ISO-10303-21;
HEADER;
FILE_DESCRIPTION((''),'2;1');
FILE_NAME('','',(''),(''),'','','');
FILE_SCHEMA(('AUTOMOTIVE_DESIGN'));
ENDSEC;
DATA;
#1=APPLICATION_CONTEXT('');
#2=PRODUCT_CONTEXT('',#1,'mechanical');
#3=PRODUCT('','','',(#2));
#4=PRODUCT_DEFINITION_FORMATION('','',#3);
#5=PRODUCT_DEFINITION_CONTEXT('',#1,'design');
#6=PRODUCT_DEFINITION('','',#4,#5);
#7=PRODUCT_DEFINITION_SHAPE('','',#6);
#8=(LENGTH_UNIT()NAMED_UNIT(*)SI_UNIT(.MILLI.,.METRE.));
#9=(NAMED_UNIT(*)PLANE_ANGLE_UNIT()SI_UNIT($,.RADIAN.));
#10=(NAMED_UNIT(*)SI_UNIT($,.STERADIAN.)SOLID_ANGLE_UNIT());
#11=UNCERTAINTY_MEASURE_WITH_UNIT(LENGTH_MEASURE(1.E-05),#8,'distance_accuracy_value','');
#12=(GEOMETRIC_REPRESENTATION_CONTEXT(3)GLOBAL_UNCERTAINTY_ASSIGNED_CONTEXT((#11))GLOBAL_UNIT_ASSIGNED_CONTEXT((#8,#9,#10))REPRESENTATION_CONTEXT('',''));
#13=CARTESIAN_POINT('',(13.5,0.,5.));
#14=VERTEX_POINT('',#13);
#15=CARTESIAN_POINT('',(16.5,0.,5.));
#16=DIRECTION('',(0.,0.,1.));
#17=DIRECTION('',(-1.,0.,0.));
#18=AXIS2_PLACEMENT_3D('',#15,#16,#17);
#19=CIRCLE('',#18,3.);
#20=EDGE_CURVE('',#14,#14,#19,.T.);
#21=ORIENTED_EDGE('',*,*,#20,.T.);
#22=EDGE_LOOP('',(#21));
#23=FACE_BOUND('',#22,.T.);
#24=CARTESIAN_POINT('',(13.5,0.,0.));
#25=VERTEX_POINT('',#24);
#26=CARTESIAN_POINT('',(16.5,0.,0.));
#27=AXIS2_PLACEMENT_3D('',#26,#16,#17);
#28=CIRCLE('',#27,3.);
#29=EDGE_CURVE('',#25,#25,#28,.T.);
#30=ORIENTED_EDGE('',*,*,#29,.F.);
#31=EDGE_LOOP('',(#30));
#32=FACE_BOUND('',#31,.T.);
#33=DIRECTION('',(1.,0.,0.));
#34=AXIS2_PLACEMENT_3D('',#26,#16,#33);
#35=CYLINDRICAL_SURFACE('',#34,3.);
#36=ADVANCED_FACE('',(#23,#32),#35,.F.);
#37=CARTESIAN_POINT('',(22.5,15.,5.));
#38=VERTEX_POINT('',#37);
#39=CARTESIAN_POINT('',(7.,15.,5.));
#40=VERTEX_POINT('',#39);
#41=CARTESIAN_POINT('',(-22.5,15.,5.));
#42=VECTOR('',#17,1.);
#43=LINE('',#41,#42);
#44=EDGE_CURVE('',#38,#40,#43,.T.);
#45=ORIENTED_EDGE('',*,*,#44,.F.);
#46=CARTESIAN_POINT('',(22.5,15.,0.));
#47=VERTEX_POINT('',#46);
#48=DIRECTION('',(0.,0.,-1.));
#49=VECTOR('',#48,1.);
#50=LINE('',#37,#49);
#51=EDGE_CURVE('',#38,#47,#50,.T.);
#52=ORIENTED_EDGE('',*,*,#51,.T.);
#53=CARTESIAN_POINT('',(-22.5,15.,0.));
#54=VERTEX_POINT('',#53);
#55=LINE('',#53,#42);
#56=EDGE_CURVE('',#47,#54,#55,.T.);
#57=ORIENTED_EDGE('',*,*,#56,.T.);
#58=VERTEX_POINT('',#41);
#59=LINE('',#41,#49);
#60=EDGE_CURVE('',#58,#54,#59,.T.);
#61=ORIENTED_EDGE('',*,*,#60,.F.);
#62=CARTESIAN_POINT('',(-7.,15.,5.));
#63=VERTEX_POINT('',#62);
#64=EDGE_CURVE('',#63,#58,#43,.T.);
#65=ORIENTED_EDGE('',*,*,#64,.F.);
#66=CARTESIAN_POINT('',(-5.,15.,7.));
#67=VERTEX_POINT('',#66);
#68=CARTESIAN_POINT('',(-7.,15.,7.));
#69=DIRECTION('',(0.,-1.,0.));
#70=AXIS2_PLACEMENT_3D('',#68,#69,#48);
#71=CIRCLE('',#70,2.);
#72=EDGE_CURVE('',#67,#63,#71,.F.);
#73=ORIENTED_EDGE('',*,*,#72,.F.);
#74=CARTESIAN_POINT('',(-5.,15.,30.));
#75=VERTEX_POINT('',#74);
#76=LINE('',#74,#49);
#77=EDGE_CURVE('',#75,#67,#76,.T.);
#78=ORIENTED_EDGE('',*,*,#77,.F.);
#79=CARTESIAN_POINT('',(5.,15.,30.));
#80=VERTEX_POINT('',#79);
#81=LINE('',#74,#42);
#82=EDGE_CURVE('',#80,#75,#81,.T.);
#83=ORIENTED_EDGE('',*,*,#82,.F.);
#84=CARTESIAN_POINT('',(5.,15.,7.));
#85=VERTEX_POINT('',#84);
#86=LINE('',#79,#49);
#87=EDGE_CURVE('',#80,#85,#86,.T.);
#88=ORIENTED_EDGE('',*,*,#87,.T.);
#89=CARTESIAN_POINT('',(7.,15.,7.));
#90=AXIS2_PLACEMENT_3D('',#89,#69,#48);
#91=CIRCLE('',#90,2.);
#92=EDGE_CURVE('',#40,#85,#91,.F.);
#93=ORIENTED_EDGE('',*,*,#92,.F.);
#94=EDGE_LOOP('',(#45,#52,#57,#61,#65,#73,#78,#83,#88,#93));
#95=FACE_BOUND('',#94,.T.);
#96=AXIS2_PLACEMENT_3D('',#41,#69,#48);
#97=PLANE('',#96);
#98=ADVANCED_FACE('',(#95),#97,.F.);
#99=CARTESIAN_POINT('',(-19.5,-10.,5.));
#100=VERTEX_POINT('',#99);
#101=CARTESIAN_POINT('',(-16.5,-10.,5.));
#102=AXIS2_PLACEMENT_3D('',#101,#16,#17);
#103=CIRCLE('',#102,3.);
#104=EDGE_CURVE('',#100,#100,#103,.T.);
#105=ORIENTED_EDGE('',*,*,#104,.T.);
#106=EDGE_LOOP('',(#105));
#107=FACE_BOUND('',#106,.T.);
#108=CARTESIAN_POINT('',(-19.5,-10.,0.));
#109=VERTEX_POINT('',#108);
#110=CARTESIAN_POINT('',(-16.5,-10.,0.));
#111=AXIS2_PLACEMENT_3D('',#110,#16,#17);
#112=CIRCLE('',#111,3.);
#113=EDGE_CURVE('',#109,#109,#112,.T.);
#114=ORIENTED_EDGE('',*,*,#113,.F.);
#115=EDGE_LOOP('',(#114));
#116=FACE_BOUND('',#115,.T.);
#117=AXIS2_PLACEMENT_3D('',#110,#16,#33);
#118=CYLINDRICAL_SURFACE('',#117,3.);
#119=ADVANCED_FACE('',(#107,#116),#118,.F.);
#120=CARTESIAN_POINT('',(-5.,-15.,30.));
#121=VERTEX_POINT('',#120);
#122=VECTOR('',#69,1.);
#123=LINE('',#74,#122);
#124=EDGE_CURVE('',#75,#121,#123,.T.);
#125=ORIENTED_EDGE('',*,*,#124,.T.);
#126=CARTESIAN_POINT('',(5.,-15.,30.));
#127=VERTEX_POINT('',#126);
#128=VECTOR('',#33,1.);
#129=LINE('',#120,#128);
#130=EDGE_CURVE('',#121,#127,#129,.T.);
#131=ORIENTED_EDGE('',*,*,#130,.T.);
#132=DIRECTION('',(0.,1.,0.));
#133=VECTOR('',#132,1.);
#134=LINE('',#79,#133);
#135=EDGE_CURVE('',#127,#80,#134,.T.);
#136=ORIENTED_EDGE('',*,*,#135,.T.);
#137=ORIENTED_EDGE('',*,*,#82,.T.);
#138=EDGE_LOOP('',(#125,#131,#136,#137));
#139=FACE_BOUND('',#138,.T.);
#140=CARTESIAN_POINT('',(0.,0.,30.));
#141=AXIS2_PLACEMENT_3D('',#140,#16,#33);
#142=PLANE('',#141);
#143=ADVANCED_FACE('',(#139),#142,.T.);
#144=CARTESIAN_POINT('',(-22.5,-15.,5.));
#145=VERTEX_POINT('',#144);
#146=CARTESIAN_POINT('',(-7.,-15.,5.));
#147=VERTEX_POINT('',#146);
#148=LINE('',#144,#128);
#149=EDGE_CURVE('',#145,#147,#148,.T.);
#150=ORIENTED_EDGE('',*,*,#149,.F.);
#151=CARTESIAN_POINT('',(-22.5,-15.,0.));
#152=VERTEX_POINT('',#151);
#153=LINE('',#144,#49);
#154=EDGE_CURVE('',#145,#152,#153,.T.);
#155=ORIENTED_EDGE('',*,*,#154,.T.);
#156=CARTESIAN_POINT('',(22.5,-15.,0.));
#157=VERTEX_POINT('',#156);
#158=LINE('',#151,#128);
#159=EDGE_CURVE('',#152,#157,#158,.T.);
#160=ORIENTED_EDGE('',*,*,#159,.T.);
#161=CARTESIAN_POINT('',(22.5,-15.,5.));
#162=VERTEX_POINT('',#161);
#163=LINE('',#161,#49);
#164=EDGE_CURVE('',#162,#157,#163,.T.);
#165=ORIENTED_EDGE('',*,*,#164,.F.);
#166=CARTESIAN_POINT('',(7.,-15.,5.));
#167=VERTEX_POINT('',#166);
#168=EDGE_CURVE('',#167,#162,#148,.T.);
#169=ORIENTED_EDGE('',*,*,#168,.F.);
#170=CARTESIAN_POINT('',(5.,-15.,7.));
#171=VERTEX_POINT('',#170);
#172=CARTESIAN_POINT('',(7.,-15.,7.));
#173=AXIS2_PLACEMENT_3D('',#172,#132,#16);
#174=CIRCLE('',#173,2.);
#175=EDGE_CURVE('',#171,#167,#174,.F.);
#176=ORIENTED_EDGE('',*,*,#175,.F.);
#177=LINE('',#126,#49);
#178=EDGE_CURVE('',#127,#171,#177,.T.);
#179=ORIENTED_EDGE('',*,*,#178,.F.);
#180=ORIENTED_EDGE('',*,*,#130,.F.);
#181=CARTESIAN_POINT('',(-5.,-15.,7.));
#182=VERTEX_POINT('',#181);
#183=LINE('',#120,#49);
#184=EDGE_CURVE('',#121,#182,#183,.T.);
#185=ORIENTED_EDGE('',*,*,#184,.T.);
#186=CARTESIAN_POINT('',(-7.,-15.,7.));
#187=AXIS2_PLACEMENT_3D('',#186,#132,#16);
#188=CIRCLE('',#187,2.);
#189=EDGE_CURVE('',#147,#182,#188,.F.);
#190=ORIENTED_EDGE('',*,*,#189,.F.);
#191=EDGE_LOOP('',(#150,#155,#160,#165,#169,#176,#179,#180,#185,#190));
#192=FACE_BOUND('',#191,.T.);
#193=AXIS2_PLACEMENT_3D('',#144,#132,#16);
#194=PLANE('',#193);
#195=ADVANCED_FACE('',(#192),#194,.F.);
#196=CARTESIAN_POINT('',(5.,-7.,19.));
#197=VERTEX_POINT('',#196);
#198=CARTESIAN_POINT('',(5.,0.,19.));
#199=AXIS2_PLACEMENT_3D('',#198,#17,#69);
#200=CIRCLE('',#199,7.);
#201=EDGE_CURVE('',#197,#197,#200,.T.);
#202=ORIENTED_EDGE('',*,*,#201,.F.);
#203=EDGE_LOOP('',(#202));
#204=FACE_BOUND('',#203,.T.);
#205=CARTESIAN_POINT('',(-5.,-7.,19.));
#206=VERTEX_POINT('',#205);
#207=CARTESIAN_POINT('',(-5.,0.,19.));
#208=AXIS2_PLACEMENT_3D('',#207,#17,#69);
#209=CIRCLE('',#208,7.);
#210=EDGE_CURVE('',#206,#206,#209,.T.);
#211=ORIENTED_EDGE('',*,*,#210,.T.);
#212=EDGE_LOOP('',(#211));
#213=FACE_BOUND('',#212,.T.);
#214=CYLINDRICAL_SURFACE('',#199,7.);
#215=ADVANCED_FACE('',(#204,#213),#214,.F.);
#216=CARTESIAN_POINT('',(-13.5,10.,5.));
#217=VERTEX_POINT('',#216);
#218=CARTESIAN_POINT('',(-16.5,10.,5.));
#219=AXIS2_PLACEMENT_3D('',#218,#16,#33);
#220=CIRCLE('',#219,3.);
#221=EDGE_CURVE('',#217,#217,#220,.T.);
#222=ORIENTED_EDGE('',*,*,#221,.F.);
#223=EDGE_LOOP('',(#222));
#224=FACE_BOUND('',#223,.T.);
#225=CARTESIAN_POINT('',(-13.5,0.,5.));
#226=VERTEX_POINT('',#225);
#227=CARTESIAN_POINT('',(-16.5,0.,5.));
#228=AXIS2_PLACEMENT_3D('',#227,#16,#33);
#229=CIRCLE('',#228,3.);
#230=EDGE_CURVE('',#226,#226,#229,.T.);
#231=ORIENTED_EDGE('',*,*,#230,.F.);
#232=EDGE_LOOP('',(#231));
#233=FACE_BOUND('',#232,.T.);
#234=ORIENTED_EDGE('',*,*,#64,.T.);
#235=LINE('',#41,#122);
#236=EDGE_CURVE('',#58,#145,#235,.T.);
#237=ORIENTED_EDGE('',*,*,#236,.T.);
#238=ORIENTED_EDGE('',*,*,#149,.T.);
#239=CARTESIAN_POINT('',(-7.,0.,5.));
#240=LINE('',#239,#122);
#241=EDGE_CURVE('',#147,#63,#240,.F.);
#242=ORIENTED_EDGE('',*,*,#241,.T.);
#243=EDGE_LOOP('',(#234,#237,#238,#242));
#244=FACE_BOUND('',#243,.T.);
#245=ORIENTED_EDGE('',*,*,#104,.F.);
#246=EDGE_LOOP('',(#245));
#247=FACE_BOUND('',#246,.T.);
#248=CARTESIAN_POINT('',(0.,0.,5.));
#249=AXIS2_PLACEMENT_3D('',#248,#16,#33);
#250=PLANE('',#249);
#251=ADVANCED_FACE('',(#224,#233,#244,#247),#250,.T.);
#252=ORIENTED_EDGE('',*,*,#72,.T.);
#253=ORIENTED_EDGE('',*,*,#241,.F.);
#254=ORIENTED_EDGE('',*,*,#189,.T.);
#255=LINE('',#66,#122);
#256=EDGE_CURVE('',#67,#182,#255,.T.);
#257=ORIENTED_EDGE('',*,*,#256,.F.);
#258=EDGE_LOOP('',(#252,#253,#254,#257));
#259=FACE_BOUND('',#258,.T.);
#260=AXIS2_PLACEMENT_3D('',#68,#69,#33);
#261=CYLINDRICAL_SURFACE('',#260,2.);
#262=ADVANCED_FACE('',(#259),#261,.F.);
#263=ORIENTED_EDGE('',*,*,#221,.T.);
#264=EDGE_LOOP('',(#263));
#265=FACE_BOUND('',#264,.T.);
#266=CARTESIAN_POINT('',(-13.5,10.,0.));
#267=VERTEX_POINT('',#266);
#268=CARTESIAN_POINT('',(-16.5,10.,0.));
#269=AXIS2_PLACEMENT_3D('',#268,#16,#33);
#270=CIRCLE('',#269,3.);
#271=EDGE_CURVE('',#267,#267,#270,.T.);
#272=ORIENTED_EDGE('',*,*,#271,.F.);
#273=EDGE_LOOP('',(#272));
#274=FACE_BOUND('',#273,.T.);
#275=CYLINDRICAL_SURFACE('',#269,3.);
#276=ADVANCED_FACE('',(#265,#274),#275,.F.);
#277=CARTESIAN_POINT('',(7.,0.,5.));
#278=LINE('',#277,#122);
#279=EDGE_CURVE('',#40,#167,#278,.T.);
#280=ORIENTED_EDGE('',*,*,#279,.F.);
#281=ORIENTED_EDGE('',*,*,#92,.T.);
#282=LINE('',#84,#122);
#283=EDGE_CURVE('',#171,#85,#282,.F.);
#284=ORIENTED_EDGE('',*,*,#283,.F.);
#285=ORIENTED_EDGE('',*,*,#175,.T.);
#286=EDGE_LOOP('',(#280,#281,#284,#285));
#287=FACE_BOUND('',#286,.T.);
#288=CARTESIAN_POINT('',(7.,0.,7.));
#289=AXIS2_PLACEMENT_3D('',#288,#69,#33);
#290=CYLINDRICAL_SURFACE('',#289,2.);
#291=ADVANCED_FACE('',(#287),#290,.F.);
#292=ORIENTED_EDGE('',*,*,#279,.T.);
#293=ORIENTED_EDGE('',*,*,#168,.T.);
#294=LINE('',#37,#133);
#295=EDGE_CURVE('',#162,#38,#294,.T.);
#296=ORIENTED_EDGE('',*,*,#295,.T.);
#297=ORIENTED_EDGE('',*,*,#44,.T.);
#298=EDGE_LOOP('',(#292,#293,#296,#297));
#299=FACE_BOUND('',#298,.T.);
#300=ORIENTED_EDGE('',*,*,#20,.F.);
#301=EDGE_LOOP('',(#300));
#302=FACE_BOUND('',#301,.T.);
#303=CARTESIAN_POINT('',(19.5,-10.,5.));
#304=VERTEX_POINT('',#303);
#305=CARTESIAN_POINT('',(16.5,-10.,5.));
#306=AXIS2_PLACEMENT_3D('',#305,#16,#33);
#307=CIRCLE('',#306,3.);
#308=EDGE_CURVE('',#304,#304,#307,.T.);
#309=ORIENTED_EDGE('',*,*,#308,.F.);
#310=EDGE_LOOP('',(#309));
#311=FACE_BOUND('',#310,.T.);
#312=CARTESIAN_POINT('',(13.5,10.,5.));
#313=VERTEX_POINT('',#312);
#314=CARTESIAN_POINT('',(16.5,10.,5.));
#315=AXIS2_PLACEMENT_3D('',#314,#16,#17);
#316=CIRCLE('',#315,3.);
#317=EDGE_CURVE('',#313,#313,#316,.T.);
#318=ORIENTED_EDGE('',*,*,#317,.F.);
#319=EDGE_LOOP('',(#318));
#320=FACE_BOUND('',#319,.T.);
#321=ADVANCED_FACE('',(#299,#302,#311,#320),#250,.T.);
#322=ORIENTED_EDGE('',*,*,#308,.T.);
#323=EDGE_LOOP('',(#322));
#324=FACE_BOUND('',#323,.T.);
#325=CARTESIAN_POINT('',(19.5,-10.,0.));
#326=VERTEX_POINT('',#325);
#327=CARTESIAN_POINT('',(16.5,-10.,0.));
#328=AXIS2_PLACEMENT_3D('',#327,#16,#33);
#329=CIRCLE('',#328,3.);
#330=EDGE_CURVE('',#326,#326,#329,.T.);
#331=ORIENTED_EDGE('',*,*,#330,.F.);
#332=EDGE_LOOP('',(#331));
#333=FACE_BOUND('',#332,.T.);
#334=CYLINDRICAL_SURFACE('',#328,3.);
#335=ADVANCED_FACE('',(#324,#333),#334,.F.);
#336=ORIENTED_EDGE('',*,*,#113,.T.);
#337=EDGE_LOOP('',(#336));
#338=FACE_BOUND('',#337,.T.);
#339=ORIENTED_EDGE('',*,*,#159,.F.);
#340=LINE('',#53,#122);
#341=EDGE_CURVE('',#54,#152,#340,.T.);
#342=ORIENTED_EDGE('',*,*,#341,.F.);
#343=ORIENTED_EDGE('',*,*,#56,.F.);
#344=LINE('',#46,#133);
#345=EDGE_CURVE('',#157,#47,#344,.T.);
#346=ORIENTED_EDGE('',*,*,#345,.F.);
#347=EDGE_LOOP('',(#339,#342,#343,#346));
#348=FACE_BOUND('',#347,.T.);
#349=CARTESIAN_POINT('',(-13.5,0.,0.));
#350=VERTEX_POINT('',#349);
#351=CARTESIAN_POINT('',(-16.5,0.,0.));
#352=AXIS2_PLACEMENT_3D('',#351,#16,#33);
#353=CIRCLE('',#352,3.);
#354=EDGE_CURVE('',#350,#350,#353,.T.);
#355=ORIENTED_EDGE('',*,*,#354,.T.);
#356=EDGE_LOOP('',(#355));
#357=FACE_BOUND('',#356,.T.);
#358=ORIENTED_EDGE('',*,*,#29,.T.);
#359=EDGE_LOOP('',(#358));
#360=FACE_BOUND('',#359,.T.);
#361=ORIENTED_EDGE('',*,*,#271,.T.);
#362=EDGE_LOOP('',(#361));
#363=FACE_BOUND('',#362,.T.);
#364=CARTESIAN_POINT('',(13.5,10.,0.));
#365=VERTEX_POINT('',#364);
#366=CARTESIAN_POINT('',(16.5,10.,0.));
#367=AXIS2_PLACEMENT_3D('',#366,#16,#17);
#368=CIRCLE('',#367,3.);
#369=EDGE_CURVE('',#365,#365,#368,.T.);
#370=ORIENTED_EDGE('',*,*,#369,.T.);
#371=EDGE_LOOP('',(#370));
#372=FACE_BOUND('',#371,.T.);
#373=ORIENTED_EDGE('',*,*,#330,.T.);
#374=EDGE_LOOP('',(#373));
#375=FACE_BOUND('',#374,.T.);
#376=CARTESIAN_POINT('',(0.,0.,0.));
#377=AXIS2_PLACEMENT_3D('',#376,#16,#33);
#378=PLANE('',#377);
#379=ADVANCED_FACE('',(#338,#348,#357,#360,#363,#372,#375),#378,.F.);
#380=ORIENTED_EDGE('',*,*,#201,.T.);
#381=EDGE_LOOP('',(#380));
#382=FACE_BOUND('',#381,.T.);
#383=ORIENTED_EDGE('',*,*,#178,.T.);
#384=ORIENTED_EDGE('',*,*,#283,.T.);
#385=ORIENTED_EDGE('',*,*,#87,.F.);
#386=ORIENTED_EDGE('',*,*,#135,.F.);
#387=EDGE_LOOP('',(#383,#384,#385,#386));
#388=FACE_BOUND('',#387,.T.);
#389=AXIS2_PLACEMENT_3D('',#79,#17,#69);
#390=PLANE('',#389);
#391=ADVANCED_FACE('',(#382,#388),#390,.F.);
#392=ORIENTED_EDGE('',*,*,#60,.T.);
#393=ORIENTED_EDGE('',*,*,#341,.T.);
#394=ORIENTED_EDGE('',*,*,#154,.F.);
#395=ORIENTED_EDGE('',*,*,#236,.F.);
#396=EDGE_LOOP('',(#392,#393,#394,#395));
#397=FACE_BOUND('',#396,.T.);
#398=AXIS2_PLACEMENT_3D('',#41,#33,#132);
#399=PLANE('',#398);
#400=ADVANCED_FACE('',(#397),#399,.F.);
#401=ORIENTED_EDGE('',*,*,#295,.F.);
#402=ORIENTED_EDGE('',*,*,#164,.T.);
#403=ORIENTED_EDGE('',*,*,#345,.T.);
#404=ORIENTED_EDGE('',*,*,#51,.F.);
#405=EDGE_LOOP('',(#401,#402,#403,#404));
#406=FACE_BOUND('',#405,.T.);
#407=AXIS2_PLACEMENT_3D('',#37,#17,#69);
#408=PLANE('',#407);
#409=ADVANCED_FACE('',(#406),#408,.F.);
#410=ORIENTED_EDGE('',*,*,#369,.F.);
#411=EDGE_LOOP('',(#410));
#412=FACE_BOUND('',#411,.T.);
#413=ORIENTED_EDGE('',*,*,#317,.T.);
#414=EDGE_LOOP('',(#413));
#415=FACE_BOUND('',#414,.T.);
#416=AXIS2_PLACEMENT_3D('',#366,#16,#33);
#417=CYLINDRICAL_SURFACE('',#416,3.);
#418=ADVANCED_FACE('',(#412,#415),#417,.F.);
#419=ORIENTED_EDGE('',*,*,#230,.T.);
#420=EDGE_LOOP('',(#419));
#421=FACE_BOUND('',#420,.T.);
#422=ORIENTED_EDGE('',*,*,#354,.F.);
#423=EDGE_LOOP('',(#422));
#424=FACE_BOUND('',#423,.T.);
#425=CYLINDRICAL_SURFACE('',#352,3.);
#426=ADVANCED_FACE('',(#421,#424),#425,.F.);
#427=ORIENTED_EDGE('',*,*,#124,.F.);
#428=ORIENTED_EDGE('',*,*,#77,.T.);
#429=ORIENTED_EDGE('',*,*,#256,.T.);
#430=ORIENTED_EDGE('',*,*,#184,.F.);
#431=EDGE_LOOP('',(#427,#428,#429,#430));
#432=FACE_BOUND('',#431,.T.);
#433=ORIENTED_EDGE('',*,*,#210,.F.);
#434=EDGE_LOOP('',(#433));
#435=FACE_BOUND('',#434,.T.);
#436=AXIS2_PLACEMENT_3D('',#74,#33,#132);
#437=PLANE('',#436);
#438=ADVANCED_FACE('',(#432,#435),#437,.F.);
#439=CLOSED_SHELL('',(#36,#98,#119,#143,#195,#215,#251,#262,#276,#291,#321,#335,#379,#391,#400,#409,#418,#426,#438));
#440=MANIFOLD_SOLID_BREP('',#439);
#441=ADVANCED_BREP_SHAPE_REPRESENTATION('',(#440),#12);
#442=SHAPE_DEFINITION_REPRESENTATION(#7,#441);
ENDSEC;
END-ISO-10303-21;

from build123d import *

# Parameters (mm, degrees)
SKETCH1_W           = 45
SKETCH1_H           = 30
BASE_DEPTH          = 5
SKETCH2_W           = 10
SKETCH2_H           = 30
BOSS_EXTRUDE2_DEPTH = 25
SKETCH3_R           = 7
CUT_EXTRUDE3_DEPTH  = 10
SKETCH9_R           = 3
SCREW_DEPTH         = 5
FILLET1_R           = 2
FILLET2_R           = 2


with BuildPart() as part:
    # Sketch1 → Base (new body)
    with BuildSketch(Plane.XY):
        Rectangle(SKETCH1_W, SKETCH1_H)
    extrude(amount=BASE_DEPTH)

    # Sketch2 → Boss-Extrude2 (add)
    with BuildSketch(Plane.XY.offset(5)):
        Rectangle(SKETCH2_W, SKETCH2_H)
    extrude(amount=BOSS_EXTRUDE2_DEPTH)

    # Sketch3 → Cut-Extrude3 (cut)
    with BuildSketch(Plane.ZY.offset(5)):
        with Locations((19, 0)):
            Circle(SKETCH3_R)
    extrude(amount=-CUT_EXTRUDE3_DEPTH, mode=Mode.SUBTRACT)

    # Sketch9 → Screw (cut)
    with BuildSketch(Plane.XY.offset(5)):
        with Locations((-16.5, 10)):
            Circle(SKETCH9_R)
        with Locations((-16.5, 0)):
            Circle(SKETCH9_R)
        with Locations((-16.5, -10)):
            Circle(SKETCH9_R)
        with Locations((16.5, -10)):
            Circle(SKETCH9_R)
        with Locations((16.5, 0)):
            Circle(SKETCH9_R)
        with Locations((16.5, 10)):
            Circle(SKETCH9_R)
    extrude(amount=-SCREW_DEPTH, mode=Mode.SUBTRACT)

    # Fillet1
    fillet1_edges = [part.edges().sort_by_distance(p)[0] for p in [
        (-5, 0, 5),
    ]]
    fillet(fillet1_edges, radius=FILLET1_R)

    # Fillet2
    fillet2_edges = [part.edges().sort_by_distance(p)[0] for p in [
        (5, 0, 5),
    ]]
    fillet(fillet2_edges, radius=FILLET2_R)


solid = part.part
